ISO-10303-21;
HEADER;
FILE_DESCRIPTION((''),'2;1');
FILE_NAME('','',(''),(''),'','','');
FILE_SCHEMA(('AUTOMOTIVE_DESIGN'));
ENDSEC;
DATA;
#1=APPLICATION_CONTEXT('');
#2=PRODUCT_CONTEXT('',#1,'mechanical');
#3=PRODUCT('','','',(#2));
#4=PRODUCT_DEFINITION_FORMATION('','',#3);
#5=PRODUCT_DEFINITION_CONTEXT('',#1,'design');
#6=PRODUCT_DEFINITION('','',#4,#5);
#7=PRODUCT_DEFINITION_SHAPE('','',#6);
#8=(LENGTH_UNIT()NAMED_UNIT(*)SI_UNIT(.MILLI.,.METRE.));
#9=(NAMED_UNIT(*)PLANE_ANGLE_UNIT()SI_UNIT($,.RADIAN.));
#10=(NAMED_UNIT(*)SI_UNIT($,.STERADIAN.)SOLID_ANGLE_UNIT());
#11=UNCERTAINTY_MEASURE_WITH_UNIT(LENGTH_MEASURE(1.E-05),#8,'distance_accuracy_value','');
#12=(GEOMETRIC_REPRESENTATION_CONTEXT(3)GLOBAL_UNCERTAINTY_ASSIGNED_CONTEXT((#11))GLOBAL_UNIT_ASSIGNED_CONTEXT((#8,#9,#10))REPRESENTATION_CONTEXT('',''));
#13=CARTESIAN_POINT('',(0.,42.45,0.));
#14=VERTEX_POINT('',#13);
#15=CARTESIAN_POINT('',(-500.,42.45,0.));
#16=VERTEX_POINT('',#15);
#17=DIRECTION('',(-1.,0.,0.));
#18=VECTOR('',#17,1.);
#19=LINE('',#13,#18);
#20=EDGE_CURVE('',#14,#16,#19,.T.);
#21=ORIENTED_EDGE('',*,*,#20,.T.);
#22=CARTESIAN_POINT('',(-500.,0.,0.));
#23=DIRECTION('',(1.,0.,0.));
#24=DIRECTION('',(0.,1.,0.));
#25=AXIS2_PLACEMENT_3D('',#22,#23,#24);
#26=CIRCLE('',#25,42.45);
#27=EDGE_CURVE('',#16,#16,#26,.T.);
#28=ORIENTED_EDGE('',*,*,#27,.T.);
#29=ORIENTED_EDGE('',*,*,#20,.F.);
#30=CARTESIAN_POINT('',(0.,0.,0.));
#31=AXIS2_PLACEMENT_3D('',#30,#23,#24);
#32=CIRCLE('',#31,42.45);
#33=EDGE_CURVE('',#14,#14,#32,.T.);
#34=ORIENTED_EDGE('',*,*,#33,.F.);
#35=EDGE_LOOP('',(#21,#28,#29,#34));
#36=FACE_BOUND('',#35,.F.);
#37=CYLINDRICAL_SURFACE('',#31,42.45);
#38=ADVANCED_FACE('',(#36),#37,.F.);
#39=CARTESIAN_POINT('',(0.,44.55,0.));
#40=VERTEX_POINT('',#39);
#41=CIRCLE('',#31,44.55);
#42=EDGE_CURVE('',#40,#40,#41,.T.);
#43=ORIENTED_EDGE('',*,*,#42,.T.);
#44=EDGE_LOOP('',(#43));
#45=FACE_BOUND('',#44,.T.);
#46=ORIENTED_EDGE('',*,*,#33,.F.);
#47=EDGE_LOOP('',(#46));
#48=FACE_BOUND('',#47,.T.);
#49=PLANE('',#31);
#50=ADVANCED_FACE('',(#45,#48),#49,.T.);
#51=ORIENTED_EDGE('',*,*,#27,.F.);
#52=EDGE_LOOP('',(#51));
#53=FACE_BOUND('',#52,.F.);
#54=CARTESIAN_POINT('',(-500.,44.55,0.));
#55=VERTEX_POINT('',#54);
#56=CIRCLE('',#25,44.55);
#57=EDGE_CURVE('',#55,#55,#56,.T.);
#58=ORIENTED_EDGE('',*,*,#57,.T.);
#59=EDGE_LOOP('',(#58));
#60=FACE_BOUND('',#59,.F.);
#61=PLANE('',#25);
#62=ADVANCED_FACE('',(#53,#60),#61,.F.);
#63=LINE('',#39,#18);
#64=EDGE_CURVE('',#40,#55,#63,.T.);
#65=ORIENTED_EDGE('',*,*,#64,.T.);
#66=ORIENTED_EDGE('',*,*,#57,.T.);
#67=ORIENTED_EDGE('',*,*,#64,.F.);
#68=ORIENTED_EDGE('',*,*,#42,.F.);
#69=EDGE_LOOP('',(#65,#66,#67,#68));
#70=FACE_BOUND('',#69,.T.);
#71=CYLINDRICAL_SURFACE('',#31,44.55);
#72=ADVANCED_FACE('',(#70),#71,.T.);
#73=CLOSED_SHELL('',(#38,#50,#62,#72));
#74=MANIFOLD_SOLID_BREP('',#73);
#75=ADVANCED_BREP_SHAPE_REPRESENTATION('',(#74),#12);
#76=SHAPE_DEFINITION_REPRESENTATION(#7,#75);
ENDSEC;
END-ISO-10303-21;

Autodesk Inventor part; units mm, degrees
ref_plane "YZ Plane" through (0, 0, 0) normal (1, 0, 0) x (0, 1, 0)
ref_plane "XZ Plane" through (0, 0, 0) normal (0, 1, 0) x (-1, 0, 0)
ref_plane "XY Plane" through (0, 0, 0) normal (0, 0, 1) x (1, 0, 0)
sketch "Sketch1" plane through (0, 0, 0) normal (1, 0, 0) x (0, 1, 0)
  circle A0 centre (0, 0) radius 44.55
  circle A1 centre (0, 0) radius 42.45
  dimension "d0" = 89.1
  dimension "d1" = 84.9
extrude "Extrusion1" add sketch "Sketch1" against normal blind 500
equation "\"d0\" = OD"
equation "\"d1\" = OD - 2 * t"
equation "\"d2\" = L"
equation "\"OD\" = 89.1"
equation "\"t\" = 2.1"
equation "\"L\" = PL"
equation "\"ID\" = 84.9"
equation "\"PL\" = 500"
equation "\"Size_Designation\" = 1.2345"
properties part number "JIS G 3459 Pipe 80 A x Sch 5S - 500" material "Stainless Steel"
